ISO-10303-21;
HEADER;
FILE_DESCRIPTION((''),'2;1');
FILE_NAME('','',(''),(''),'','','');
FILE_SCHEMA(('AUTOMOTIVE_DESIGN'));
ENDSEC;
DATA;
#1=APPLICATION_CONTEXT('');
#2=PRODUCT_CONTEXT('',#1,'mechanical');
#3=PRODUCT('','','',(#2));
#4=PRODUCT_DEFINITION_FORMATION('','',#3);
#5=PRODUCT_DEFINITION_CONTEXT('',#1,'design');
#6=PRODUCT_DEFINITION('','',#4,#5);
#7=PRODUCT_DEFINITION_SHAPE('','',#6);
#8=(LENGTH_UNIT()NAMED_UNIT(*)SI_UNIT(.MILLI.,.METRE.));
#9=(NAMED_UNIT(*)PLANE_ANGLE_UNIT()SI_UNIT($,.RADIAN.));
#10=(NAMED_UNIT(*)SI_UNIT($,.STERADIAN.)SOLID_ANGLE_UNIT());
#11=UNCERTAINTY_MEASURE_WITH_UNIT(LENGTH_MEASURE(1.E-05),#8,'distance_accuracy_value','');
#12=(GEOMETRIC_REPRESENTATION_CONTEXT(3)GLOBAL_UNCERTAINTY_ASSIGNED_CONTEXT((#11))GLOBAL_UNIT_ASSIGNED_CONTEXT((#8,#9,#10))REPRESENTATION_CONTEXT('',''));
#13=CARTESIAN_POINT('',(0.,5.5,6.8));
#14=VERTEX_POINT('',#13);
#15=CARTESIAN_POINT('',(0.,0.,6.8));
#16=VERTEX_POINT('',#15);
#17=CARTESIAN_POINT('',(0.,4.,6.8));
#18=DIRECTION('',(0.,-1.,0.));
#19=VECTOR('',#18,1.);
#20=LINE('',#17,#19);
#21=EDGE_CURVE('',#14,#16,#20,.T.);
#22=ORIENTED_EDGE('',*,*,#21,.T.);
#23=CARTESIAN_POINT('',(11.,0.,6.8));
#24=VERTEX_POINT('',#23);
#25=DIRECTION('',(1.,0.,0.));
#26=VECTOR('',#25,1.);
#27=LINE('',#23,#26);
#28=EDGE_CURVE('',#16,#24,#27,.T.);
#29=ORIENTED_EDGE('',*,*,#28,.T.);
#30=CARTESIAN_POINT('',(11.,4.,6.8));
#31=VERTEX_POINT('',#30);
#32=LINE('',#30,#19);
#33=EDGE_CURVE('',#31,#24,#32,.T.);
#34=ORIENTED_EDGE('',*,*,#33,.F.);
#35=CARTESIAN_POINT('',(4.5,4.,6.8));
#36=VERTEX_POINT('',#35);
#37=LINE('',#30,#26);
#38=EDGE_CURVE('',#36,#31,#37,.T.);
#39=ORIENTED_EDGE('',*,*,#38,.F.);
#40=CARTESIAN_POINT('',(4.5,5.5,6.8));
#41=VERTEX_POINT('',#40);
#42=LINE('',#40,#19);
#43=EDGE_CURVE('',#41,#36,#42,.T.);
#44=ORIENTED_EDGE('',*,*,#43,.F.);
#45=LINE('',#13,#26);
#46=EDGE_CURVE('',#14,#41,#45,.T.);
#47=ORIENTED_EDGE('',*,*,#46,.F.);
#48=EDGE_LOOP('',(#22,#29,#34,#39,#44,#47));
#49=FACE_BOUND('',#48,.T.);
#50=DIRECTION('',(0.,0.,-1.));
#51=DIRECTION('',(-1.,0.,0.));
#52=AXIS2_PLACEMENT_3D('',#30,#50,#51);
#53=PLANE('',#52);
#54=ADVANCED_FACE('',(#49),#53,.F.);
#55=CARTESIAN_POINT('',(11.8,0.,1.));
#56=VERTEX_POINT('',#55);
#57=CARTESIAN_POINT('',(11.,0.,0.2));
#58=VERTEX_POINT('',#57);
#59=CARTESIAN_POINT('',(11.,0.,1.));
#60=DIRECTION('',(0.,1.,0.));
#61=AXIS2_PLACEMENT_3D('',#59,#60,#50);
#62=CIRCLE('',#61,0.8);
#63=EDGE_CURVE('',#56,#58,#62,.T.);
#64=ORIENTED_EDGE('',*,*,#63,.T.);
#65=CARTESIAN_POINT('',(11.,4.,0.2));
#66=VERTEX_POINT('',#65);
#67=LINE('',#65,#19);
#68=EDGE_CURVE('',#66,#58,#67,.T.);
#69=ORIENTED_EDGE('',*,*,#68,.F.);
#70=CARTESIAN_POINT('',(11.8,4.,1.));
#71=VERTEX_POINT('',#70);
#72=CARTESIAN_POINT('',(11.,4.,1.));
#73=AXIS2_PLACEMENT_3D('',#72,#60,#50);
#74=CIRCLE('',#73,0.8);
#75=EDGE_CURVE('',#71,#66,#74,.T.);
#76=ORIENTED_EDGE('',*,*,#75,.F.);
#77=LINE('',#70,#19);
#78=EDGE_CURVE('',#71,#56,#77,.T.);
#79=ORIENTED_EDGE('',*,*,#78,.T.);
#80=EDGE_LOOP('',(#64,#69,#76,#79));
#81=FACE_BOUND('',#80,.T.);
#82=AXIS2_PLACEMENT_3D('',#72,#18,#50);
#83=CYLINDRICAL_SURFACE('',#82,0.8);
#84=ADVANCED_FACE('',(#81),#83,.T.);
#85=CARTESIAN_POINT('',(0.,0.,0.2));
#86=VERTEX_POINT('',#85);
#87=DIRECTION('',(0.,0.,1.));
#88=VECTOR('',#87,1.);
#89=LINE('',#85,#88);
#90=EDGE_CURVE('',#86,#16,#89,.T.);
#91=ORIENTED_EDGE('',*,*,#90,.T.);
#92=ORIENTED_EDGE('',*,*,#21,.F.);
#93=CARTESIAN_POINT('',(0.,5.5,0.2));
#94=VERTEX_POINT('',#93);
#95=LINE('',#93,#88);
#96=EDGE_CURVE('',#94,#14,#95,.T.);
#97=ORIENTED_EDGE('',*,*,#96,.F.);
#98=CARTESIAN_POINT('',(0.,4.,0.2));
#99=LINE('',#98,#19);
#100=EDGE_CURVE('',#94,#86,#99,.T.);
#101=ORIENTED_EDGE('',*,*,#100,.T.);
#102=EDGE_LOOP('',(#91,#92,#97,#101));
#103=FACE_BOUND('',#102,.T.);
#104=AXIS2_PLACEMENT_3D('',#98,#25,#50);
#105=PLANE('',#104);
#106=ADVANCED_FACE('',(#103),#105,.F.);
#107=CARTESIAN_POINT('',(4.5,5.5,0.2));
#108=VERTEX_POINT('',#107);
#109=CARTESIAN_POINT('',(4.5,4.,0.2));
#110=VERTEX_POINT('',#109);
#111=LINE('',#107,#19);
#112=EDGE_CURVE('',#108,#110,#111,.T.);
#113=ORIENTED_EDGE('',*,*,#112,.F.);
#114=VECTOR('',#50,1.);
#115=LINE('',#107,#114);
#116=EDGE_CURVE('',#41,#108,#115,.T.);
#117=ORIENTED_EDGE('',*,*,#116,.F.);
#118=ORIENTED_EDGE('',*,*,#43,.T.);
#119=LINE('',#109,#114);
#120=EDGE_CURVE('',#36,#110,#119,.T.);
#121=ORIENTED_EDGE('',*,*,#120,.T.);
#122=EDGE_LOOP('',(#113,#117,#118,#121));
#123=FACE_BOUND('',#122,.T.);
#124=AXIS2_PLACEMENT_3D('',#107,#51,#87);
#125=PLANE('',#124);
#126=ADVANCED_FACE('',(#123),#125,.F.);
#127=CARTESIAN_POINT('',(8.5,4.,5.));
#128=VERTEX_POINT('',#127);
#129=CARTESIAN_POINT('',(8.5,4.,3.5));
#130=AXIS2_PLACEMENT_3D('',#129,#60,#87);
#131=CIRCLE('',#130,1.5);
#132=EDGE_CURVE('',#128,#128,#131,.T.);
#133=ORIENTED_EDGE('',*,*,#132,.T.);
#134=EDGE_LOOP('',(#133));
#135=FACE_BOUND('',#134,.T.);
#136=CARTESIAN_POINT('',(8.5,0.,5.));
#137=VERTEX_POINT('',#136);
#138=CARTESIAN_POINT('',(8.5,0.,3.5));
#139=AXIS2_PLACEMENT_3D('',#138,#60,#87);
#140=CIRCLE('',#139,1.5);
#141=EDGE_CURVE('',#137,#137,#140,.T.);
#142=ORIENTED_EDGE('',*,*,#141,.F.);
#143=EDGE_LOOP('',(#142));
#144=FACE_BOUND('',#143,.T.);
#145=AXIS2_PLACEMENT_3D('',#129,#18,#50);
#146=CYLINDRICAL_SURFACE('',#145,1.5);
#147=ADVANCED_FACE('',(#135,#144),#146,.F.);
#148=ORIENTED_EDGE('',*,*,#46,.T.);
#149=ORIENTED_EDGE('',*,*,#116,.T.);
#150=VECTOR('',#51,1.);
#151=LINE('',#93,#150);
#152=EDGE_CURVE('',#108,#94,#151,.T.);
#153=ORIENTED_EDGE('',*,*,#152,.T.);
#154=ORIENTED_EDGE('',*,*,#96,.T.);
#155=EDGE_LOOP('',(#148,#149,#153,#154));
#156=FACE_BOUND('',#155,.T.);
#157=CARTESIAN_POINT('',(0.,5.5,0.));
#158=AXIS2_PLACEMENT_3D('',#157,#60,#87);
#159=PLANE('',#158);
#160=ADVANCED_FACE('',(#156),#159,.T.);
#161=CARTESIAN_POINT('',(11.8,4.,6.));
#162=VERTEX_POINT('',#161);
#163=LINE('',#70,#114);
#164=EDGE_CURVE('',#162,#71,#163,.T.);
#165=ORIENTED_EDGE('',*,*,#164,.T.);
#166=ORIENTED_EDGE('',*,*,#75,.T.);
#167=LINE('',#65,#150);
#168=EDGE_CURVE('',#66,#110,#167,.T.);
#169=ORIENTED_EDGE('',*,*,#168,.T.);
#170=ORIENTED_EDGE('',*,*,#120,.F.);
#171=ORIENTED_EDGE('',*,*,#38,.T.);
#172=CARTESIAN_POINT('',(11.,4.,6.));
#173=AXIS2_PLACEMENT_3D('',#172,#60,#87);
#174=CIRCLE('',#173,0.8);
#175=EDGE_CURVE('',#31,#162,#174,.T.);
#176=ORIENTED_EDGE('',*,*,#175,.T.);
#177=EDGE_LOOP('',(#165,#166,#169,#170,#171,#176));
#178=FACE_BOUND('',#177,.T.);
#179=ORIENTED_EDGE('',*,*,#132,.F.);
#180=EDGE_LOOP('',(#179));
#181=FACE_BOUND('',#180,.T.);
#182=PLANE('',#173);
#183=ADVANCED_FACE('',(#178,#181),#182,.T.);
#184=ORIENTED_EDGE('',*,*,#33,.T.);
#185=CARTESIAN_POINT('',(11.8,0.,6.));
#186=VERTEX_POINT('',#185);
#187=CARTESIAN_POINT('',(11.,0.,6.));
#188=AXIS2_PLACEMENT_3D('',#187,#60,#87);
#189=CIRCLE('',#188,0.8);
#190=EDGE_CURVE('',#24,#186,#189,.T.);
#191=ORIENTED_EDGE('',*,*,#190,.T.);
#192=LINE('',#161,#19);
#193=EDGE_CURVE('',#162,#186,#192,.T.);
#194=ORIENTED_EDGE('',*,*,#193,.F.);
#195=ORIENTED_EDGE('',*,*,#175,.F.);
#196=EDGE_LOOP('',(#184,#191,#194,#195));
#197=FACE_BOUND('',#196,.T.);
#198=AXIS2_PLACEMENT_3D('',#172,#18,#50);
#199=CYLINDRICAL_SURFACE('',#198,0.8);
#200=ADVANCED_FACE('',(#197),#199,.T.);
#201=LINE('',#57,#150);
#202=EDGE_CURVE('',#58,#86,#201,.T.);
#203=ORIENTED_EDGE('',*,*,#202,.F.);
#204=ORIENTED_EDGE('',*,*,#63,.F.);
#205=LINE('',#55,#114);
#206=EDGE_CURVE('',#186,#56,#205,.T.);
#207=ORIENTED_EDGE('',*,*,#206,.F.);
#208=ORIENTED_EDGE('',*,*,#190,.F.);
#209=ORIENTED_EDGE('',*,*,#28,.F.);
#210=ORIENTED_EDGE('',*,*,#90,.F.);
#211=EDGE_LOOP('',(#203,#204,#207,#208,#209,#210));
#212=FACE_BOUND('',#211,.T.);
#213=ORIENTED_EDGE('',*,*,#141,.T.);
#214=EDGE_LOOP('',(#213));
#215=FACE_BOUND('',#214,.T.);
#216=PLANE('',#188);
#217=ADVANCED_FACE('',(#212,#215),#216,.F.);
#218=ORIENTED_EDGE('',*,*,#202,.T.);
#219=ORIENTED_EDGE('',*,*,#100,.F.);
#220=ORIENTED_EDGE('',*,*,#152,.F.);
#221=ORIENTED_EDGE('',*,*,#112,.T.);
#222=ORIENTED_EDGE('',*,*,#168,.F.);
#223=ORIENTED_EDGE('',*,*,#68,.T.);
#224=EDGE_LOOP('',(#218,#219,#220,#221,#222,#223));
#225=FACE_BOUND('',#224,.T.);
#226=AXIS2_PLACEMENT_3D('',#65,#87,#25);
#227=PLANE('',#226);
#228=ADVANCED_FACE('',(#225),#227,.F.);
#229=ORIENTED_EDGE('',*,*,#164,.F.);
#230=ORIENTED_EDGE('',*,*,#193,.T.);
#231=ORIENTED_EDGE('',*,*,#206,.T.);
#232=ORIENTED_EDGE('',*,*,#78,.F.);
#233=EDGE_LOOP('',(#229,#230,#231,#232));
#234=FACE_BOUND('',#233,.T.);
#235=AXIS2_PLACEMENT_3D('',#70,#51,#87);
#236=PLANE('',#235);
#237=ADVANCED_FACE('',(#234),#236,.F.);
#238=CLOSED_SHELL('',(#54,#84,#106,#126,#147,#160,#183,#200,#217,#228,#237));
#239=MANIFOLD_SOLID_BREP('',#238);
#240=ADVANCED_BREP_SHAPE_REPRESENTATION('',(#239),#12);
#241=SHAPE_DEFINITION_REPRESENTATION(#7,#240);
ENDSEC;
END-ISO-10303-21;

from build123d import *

# Parameters (mm, degrees)
SKETCH1_R           = 1.5
BOSS_EXTRUDE1_DEPTH = 4
SKETCH2_W           = 4.5
SKETCH2_H           = 6.6
BOSS_EXTRUDE2_DEPTH = 1.5


with BuildPart() as part:
    # Sketch1 → Boss-Extrude1 (new body)
    with BuildSketch(Plane(origin=(0, 0, 0), x_dir=(1, 0, 0), z_dir=(0, 1, 0))):
        with BuildLine():
            Line((11.8, -1), (11.8, -6))
            ThreePointArc((11.8, -6), (11.565685425, -6.565685425), (11, -6.8))
            Line((11, -6.8), (0, -6.8))
            Line((0, -6.8), (0, -0.2))
            Line((0, -0.2), (11, -0.2))
            ThreePointArc((11, -0.2), (11.565685425, -0.434314575), (11.8, -1))
        make_face()
        with Locations(Location((8.5, -3.5, 0), (0, 0, 270))):  # turned: the seam where the file's is
            Circle(SKETCH1_R, mode=Mode.SUBTRACT)
    extrude(amount=BOSS_EXTRUDE1_DEPTH)

    # Sketch2 → Boss-Extrude2 (add)
    with BuildSketch(Plane(origin=(0, 4, 0), x_dir=(1, 0, 0), z_dir=(0, 1, 0))):
        with Locations((2.25, -3.5)):
            Rectangle(SKETCH2_W, SKETCH2_H)
    extrude(amount=BOSS_EXTRUDE2_DEPTH)


solid = part.part
